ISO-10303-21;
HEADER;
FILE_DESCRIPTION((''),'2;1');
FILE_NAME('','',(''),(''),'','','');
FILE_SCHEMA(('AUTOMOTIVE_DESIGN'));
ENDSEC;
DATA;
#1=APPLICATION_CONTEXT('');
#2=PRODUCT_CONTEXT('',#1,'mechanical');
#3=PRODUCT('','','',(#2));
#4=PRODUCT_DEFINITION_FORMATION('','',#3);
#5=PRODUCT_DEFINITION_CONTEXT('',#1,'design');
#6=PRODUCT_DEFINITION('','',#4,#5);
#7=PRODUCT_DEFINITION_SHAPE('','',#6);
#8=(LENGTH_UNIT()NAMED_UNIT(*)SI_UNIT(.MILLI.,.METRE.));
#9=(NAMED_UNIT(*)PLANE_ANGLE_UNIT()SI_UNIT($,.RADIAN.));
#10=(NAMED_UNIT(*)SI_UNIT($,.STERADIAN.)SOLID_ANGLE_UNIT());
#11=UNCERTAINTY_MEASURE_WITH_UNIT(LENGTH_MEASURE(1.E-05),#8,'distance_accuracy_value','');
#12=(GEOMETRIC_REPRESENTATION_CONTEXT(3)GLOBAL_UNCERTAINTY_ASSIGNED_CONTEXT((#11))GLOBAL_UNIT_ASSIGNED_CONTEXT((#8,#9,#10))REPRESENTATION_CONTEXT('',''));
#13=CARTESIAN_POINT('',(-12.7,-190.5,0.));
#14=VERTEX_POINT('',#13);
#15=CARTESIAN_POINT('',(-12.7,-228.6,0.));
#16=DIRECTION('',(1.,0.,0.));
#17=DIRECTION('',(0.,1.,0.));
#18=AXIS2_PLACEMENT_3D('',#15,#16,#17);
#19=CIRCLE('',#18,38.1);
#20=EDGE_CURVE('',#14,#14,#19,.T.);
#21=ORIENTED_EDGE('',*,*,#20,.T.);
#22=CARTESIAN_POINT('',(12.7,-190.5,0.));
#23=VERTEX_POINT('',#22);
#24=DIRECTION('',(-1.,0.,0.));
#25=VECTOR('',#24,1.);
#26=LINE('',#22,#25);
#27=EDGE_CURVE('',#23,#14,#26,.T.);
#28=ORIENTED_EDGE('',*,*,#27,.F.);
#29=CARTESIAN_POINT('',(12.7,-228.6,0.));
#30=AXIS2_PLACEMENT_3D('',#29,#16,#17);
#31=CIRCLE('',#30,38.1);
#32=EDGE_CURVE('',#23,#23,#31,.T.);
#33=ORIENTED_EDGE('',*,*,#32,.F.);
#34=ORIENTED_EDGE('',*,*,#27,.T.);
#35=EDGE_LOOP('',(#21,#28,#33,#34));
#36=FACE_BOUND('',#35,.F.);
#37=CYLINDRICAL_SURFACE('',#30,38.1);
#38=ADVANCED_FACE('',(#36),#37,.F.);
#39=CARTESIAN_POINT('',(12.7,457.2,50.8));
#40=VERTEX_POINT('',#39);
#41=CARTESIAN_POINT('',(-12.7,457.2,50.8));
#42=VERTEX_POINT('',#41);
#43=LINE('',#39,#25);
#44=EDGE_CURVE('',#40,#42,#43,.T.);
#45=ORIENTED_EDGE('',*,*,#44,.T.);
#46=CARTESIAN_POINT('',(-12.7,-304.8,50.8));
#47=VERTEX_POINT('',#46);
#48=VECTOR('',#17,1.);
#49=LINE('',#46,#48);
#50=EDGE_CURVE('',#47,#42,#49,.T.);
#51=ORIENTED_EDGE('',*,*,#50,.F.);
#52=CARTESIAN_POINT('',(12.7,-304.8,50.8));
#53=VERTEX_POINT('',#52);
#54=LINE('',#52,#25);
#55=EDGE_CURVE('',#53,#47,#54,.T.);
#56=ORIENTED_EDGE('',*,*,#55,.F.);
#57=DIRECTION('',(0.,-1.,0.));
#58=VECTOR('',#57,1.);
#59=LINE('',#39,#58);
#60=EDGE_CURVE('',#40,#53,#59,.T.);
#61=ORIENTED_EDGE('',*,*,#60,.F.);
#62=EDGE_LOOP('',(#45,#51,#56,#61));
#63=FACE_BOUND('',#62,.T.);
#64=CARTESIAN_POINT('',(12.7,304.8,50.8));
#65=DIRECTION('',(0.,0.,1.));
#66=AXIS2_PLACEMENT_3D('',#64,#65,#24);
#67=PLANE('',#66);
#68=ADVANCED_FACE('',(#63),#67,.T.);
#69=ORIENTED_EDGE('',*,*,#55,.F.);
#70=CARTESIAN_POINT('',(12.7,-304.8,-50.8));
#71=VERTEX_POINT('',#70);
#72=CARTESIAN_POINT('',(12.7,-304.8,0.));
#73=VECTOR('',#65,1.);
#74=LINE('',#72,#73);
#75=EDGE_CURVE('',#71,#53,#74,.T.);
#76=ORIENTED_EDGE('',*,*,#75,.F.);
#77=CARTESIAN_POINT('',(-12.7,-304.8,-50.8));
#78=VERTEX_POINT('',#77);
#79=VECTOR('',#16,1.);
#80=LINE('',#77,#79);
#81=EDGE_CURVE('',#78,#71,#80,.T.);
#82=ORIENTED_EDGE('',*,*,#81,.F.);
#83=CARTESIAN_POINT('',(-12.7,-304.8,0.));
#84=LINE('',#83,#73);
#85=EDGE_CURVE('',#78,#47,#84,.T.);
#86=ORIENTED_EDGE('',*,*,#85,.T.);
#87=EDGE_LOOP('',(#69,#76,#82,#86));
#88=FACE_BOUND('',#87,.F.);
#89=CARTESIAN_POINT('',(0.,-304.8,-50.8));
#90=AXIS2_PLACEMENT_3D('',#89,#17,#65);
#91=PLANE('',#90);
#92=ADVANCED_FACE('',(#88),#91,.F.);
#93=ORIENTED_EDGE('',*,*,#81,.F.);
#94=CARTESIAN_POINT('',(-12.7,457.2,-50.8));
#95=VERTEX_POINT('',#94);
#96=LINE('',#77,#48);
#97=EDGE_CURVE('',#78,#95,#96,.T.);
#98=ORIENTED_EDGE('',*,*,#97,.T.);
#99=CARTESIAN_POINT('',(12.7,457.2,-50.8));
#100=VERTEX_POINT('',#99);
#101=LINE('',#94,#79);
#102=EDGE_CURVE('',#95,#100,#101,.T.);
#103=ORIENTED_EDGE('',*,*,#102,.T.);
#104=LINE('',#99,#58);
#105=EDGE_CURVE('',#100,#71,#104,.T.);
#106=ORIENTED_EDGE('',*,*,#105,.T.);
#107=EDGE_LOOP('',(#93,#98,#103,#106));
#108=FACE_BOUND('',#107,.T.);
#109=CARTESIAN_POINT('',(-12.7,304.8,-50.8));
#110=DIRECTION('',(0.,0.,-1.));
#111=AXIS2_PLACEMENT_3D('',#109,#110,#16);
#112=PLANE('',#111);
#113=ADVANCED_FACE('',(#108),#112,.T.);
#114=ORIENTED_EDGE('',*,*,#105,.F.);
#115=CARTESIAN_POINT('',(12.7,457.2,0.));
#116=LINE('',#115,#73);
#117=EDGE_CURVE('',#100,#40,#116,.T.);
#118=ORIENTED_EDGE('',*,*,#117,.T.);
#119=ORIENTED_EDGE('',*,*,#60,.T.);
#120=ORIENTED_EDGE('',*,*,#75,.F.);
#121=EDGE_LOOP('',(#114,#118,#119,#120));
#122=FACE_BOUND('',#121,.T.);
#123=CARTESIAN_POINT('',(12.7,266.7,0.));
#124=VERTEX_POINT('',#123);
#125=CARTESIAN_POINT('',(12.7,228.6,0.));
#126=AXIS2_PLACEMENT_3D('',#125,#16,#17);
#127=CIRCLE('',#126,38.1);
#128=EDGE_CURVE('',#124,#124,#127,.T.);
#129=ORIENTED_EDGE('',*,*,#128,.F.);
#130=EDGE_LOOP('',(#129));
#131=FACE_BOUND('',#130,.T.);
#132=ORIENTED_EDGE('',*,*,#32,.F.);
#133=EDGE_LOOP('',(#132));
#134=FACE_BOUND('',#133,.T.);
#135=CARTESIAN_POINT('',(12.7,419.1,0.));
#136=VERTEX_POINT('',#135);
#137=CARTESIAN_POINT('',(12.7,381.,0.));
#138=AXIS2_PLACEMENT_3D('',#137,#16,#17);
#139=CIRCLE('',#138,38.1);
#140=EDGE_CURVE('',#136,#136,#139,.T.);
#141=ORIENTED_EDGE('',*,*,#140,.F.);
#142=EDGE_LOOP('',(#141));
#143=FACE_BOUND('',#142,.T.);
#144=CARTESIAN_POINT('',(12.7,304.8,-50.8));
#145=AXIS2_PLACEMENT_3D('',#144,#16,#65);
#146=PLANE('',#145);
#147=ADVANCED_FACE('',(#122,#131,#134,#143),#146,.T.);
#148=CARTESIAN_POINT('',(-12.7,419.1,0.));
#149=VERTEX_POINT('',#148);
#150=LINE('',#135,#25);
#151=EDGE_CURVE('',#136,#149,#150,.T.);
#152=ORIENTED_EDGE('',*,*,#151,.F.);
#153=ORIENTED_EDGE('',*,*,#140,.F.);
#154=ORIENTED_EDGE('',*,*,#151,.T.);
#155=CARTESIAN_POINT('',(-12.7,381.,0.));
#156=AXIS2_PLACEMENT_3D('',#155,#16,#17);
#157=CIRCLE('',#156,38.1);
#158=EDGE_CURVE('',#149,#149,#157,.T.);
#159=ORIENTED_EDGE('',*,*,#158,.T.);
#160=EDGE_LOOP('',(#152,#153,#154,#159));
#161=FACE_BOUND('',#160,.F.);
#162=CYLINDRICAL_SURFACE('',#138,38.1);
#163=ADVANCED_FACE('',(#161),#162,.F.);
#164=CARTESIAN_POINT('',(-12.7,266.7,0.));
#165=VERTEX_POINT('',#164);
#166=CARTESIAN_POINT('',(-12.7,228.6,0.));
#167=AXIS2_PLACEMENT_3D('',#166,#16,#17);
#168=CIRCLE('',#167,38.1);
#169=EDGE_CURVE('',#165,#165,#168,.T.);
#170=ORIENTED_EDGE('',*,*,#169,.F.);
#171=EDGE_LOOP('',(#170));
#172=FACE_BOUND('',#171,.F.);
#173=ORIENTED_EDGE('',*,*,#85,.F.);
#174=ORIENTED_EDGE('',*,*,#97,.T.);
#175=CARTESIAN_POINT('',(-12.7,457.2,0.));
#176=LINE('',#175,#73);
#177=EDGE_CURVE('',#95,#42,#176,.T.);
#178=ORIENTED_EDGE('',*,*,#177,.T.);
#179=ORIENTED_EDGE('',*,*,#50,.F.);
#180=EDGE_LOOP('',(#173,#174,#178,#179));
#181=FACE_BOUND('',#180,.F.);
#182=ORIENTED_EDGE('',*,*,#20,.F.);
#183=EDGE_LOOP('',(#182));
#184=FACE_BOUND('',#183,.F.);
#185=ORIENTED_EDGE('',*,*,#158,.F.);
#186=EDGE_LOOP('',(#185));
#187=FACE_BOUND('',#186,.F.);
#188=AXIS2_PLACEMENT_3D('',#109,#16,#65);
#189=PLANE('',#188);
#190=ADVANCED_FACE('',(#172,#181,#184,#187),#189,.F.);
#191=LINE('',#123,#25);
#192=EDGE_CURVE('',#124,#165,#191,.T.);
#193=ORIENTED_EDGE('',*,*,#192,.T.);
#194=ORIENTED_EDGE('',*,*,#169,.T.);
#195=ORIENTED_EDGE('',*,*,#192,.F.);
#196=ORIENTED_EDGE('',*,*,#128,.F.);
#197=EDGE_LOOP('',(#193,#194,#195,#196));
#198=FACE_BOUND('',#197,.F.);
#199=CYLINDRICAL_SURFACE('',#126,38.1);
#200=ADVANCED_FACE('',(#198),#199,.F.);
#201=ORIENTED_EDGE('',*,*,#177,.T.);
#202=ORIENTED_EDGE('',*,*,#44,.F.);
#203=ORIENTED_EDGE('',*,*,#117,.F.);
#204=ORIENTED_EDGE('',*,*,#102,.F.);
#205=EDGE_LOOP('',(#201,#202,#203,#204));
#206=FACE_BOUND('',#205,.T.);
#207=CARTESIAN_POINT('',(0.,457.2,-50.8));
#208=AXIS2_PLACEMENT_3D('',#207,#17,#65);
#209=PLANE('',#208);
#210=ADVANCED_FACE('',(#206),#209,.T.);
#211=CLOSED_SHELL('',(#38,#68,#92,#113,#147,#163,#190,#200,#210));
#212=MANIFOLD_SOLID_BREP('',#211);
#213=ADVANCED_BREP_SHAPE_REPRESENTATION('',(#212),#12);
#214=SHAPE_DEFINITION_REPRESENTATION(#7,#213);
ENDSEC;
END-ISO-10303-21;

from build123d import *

# Parameters (mm, degrees)
F0_W     = 609.6
F0_H     = 101.6
F1_DEPTH = 12.7
F2_R     = 38.1
F3_DEPTH = 25.4
F4_DEPTH = 152.4
F5_R     = 38.1
F6_DEPTH = 25.4


with BuildPart() as f1:
    # F0 (on Right) → F1 (new body, symmetric)
    with BuildSketch(Plane.YZ):
        Rectangle(F0_W, F0_H)
    extrude(amount=F1_DEPTH, both=True)

    # F2 (on face) → F3 (cut)
    with BuildSketch(Plane.YZ.offset(12.7)):
        with Locations((-228.6, 0)):
            Circle(F2_R)
        with Locations((228.6, 0)):
            Circle(F2_R)
    extrude(amount=-F3_DEPTH, mode=Mode.SUBTRACT)

    # F4 (add): a face of the model
    f4_faces = [f1.faces().sort_by_distance(p)[0] for p in [
        (0, 304.8, 0),
    ]]
    extrude(f4_faces, amount=F4_DEPTH)

    # F5 (on face) → F6 (cut)
    with BuildSketch(Plane.YZ.offset(12.7)):
        with Locations((381, 0)):
            Circle(F5_R)
    extrude(amount=-F6_DEPTH, mode=Mode.SUBTRACT)


solid = f1.part
